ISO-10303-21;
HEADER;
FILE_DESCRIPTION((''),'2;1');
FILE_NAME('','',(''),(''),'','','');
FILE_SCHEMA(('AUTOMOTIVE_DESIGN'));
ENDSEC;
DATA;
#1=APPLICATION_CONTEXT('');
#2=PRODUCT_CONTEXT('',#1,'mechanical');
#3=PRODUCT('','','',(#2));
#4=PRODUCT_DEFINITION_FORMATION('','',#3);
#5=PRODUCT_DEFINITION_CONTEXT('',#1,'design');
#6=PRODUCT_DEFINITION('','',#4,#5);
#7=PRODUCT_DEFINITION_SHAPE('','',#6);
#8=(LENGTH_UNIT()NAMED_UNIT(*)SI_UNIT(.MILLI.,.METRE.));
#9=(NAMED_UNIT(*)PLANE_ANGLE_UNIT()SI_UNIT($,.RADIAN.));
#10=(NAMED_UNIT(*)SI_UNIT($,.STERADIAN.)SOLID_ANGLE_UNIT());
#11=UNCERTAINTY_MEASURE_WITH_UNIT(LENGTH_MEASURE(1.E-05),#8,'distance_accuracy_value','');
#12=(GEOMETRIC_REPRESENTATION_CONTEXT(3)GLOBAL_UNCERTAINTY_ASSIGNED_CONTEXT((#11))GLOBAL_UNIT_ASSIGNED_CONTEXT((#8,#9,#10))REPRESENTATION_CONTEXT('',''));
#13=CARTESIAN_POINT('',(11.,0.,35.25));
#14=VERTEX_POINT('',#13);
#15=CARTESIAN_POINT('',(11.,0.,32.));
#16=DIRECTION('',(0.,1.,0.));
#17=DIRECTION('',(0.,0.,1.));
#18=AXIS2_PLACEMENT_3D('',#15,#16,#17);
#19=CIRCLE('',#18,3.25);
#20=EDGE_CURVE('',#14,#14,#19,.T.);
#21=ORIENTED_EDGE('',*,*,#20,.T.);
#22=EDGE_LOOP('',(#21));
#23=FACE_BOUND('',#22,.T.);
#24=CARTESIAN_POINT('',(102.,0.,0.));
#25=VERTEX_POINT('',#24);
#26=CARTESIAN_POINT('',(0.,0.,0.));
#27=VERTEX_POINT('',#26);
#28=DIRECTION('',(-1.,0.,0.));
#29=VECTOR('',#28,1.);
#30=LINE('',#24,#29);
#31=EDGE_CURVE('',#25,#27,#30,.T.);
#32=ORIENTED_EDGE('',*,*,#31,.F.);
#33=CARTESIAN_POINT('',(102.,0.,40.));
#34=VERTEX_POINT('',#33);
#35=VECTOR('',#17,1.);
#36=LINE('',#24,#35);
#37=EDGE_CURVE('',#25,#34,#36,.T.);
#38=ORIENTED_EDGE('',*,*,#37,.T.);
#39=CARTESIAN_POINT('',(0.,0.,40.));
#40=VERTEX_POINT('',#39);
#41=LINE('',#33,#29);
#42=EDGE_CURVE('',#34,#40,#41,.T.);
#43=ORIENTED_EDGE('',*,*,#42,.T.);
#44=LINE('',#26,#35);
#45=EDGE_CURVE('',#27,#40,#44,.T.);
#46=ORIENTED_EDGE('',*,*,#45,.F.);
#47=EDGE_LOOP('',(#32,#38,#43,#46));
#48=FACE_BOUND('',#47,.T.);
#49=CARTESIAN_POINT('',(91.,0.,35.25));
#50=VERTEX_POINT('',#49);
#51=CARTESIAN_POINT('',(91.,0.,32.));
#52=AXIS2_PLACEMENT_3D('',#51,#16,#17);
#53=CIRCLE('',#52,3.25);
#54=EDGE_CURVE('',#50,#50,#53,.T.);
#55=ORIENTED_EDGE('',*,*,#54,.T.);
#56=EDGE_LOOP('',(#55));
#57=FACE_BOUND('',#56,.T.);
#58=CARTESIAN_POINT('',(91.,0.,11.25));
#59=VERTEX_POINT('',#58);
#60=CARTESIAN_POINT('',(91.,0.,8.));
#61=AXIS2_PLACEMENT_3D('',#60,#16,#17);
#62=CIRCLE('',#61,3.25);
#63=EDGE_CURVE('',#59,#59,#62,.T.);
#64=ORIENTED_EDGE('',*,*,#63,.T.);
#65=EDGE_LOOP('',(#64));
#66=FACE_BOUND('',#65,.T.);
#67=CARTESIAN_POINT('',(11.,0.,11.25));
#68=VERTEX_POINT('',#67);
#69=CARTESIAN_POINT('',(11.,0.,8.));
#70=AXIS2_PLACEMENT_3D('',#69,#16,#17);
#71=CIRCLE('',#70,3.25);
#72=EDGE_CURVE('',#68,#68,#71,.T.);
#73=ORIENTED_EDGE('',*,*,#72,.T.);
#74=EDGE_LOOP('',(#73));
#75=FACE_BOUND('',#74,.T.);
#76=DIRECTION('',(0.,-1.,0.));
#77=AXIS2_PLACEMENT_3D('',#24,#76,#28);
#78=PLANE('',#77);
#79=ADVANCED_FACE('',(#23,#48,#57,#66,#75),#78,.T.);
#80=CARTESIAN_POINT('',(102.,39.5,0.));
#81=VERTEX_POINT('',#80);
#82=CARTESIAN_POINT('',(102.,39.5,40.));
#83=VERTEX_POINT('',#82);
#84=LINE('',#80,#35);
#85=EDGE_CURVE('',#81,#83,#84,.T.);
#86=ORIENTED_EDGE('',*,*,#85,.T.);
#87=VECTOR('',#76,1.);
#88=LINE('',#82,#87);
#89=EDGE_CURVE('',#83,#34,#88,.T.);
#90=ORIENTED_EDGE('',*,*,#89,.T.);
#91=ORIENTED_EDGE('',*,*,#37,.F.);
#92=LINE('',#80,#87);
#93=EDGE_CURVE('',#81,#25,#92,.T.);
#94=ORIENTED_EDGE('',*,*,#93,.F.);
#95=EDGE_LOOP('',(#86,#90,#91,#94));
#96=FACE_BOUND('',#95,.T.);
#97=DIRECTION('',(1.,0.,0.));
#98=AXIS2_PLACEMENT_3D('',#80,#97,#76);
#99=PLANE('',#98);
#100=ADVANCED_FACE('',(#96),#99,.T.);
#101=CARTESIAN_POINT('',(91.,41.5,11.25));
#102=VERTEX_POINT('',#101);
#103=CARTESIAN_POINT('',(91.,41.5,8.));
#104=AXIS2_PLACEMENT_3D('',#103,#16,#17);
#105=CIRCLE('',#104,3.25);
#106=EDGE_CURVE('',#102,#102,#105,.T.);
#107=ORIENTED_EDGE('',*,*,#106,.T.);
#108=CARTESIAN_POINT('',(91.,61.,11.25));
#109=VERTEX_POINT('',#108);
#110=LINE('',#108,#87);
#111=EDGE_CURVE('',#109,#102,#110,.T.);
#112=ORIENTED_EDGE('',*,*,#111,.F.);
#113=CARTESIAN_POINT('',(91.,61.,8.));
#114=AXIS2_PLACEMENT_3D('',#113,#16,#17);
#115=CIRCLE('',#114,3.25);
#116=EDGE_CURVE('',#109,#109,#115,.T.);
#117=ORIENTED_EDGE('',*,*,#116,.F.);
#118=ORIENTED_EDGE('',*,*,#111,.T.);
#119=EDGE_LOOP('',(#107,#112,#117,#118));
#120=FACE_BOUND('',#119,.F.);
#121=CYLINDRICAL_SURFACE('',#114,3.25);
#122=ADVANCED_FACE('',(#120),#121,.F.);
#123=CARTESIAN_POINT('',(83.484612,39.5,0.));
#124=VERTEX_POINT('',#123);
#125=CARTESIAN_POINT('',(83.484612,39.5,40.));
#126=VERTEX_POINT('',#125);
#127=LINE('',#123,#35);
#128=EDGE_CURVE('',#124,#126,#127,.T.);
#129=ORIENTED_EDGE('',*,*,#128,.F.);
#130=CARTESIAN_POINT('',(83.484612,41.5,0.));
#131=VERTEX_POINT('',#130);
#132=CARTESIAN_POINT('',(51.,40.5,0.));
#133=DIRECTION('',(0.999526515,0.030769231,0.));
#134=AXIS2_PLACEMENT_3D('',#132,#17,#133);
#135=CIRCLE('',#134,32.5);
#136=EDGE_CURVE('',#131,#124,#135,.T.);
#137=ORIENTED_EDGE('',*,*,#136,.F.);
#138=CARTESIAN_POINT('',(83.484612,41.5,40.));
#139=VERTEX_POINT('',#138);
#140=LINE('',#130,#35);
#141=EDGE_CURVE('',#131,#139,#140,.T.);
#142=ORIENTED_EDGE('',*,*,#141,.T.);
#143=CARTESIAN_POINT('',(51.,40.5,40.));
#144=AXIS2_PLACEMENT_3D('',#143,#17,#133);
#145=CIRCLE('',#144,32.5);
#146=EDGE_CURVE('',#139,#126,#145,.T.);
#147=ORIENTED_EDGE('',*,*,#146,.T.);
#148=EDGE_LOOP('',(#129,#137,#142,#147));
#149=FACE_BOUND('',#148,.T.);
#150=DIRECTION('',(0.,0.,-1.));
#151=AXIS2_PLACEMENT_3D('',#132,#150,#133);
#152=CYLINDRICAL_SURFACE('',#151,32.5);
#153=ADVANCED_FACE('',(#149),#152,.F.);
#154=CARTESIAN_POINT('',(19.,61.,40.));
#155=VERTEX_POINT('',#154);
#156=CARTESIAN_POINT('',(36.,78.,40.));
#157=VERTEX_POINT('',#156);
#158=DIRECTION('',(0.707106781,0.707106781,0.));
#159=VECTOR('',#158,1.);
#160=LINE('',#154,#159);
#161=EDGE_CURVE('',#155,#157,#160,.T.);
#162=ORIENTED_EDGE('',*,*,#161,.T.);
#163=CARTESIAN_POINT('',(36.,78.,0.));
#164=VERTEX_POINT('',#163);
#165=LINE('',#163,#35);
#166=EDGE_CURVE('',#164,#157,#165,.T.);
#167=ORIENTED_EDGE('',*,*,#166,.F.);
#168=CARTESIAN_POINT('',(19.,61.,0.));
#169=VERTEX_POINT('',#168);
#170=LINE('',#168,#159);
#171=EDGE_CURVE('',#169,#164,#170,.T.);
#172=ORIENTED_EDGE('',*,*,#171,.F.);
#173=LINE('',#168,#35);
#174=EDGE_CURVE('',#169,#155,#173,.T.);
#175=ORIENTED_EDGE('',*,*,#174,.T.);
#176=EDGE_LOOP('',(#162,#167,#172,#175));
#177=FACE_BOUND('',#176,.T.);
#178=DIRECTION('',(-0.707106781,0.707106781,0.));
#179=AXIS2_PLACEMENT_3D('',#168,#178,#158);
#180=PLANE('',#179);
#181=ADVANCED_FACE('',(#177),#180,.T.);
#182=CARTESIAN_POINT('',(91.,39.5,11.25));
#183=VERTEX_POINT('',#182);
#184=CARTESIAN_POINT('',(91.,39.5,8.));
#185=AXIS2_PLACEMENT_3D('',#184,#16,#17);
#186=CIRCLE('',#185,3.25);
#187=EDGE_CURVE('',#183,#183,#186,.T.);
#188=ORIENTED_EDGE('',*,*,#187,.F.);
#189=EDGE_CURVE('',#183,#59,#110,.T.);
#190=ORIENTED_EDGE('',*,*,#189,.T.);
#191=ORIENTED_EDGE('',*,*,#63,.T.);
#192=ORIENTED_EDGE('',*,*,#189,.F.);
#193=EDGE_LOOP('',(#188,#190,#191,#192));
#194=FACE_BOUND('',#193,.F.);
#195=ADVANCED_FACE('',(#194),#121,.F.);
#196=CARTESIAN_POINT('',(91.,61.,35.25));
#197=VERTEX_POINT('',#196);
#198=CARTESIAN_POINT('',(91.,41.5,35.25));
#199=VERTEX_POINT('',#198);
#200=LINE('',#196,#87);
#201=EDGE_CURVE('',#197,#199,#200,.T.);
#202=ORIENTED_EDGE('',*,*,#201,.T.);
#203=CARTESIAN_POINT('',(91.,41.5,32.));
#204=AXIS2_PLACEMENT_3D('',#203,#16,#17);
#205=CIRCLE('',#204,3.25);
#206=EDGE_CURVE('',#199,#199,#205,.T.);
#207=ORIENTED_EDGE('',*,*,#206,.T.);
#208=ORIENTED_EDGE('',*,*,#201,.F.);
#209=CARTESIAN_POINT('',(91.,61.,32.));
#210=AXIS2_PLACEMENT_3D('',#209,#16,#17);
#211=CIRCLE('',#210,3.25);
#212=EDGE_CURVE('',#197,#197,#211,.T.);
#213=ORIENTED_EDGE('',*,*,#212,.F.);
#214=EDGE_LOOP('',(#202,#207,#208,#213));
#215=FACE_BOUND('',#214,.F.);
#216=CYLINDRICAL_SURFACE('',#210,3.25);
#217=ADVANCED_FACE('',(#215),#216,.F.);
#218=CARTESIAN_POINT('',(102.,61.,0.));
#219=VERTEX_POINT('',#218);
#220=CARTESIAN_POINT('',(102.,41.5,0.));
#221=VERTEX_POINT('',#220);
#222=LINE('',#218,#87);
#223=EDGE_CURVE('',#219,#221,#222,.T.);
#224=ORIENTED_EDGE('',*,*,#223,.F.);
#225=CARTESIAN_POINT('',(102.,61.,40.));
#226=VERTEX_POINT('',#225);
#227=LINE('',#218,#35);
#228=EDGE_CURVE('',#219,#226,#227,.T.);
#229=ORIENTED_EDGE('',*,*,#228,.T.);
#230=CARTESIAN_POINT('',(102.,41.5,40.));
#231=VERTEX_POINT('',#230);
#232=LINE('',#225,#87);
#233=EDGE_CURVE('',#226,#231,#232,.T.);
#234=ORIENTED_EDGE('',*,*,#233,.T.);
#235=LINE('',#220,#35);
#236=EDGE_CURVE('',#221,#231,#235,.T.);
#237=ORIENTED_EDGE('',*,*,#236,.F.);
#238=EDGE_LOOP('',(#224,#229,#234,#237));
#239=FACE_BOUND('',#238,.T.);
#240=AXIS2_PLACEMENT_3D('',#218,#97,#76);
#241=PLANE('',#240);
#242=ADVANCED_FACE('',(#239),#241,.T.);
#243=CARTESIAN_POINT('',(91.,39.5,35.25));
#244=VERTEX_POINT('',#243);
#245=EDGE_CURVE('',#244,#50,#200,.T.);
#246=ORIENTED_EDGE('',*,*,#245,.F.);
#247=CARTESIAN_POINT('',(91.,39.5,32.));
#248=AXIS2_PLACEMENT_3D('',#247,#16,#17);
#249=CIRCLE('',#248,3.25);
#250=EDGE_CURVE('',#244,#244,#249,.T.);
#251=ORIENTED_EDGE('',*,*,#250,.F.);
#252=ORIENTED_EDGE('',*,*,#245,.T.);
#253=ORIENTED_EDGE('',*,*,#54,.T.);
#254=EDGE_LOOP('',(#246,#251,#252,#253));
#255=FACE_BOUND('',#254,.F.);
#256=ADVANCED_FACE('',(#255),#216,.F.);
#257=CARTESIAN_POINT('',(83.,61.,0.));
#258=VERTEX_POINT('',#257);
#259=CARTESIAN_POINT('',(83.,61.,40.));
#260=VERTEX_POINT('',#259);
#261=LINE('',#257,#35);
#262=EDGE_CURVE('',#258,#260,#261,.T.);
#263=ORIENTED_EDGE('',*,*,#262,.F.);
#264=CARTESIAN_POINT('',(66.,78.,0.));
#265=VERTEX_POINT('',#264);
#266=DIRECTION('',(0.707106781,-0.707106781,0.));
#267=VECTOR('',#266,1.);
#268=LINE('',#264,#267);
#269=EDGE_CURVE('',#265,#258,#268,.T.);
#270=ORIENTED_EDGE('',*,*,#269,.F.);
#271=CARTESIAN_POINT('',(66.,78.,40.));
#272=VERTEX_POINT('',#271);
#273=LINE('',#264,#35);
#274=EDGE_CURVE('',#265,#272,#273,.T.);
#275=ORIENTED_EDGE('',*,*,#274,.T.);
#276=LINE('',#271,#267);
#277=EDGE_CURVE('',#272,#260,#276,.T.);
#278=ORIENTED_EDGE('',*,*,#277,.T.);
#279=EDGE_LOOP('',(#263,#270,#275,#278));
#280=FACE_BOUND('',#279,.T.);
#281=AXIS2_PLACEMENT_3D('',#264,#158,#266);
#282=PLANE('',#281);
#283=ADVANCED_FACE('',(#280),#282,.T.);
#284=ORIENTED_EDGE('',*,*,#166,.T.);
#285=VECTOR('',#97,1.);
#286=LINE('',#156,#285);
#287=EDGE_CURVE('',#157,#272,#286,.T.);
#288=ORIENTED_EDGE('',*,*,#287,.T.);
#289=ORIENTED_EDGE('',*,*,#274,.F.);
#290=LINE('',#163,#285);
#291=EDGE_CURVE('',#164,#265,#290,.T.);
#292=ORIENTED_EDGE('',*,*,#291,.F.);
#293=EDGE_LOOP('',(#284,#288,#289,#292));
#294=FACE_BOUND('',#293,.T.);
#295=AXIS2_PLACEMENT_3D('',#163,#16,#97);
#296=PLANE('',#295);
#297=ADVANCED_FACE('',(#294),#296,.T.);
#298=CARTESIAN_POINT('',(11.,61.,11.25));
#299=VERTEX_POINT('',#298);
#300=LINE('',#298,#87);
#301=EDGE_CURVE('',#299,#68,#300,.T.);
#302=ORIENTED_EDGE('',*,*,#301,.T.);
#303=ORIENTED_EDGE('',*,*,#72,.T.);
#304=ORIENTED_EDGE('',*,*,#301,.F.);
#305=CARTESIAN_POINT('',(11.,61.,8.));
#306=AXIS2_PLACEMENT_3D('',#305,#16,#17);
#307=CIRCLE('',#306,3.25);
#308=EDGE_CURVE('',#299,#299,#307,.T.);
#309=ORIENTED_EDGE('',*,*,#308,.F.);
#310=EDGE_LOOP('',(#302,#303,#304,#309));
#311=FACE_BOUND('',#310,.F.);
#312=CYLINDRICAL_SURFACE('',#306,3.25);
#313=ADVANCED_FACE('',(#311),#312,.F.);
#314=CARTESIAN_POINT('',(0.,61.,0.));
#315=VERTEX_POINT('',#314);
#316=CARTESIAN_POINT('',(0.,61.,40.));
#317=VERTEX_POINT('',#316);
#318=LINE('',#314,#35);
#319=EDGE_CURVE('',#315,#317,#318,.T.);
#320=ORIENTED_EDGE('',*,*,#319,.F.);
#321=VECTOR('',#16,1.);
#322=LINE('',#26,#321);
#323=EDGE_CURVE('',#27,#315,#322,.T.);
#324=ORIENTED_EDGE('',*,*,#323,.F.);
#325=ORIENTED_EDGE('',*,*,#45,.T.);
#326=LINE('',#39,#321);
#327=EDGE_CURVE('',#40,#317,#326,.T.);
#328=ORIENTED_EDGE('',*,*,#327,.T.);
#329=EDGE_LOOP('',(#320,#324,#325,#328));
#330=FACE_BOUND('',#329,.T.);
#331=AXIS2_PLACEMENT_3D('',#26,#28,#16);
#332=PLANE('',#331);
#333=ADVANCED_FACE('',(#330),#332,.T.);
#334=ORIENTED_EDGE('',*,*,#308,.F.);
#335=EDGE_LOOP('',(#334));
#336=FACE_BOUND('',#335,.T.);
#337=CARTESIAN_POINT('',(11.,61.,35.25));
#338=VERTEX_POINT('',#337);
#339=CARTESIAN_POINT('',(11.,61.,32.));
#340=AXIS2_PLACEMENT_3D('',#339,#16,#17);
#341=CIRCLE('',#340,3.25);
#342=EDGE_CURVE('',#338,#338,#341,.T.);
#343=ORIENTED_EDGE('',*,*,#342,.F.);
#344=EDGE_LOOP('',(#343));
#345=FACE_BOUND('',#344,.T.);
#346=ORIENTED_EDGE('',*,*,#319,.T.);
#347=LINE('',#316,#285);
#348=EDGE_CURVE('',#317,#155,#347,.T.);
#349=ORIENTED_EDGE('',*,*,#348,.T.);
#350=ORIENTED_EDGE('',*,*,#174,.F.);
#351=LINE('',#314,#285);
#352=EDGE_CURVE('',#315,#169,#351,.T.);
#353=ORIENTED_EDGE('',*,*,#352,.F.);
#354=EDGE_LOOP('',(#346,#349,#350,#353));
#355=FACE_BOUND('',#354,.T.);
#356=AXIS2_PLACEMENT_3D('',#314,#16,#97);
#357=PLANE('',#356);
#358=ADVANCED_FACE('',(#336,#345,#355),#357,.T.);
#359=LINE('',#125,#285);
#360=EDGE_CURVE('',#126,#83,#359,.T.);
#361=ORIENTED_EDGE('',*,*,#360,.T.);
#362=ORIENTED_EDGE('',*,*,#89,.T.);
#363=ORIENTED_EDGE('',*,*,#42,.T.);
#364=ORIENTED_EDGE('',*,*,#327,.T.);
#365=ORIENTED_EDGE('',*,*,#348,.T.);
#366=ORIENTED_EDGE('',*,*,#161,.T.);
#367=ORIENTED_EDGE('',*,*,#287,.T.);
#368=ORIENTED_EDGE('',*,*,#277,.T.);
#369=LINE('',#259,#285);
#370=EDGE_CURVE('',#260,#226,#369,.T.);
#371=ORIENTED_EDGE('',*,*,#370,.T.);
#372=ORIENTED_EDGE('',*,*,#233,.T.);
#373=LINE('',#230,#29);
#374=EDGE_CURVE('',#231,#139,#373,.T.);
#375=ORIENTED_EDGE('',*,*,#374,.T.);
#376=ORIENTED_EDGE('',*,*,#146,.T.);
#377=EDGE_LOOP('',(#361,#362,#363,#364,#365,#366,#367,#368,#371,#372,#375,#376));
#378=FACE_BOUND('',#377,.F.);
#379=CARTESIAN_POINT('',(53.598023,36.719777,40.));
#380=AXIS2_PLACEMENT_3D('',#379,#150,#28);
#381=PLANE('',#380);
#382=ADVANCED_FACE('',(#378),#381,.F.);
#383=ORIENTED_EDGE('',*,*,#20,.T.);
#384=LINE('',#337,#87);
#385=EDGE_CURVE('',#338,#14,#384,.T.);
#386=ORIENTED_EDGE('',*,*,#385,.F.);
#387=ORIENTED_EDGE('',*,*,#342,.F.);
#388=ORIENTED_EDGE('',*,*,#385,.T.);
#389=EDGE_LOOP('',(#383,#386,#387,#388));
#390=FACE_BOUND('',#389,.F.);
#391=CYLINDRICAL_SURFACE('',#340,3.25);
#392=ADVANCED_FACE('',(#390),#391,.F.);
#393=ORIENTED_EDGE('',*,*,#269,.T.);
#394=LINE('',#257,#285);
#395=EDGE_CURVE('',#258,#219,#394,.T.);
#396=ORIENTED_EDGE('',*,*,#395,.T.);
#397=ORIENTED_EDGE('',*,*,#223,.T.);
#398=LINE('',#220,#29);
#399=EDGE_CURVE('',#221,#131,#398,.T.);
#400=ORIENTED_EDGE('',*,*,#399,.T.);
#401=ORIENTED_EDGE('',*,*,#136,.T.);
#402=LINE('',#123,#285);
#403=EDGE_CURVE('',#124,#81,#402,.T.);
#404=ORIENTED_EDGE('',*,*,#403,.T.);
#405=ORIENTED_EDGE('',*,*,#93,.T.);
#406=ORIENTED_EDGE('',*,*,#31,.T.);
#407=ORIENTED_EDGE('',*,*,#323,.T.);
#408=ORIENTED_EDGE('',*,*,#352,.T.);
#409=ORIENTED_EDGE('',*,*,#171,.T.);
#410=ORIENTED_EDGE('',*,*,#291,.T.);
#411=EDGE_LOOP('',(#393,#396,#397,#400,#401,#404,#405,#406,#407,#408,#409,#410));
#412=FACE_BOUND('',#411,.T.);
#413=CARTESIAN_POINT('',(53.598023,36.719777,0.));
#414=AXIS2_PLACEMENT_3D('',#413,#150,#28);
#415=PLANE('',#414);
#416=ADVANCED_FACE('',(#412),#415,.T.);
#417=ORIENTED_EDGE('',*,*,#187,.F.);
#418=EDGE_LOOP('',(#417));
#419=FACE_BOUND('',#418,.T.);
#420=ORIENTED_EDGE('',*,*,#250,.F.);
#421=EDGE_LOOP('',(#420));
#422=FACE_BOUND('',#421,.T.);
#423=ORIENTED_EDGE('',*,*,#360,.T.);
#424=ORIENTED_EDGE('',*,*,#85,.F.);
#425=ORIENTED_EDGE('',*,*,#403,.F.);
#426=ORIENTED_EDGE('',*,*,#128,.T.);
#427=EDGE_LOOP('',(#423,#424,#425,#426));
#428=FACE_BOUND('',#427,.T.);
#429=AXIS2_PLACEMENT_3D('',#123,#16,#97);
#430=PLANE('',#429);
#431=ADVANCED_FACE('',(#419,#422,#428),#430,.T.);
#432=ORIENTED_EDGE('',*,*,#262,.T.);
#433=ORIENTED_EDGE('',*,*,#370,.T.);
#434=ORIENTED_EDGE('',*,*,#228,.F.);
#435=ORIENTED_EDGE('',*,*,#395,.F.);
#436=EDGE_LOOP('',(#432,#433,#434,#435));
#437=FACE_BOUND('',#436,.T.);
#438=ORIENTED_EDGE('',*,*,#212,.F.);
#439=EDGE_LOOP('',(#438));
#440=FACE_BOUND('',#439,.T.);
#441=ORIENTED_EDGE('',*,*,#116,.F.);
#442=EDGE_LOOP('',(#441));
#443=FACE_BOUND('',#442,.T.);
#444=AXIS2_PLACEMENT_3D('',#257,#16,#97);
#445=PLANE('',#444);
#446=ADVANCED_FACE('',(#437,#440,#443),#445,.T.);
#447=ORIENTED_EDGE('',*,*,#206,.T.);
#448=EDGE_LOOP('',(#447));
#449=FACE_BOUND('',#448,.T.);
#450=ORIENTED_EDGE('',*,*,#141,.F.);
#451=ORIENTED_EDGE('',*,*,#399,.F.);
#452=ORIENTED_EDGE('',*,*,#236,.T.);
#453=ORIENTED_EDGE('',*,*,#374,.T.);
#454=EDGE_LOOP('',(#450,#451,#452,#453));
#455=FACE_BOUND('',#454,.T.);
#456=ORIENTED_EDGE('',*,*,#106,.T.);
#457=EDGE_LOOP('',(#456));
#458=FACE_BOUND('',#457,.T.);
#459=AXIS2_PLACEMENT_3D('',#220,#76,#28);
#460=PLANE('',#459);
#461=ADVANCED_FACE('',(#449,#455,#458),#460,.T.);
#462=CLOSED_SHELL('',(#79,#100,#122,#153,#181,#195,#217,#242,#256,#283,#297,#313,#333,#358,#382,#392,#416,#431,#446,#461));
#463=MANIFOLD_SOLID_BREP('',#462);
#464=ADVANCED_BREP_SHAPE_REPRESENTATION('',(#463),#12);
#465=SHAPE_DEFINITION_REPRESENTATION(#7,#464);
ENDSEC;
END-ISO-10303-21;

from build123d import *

# Parameters (mm, degrees)
EXTRUDE_1_DEPTH     = 40
SKETCH_2_R          = 3.25
CUT_EXTRUDE_1_DEPTH = 126.39936204


with BuildPart() as part:
    # 草图1 → 凸台-拉伸1 (new body)
    with BuildSketch(Plane.XY):
        with BuildLine():
            Line((0, 61), (19, 61))
            Line((19, 61), (36, 78))
            Line((36, 78), (66, 78))
            Line((66, 78), (83, 61))
            Line((83, 61), (102, 61))
            Line((102, 61), (102, 41.5))
            Line((102, 41.5), (83.484611742, 41.5))
            ThreePointArc((83.484611742, 41.5), (18.5, 40.5), (83.484611742, 39.5))
            Line((83.484611742, 39.5), (102, 39.5))
            Line((102, 39.5), (102, 0))
            Line((102, 0), (0, 0))
            Line((0, 0), (0, 61))
        make_face()
    extrude(amount=EXTRUDE_1_DEPTH)

    # 草图2 → 切除-拉伸1 (cut, through all)
    with BuildSketch(Plane(origin=(0, 61, 0), x_dir=(1, 0, 0), z_dir=(0, 1, 0))):
        with Locations(Location((11, -8, 0), (0, 0, 270))):
            Circle(SKETCH_2_R)
        with Locations(Location((11, -32, 0), (0, 0, 270))):
            Circle(SKETCH_2_R)
        with Locations(Location((91, -8, 0), (0, 0, 270))):
            Circle(SKETCH_2_R)
        with Locations(Location((91, -32, 0), (0, 0, 270))):
            Circle(SKETCH_2_R)
    extrude(amount=-CUT_EXTRUDE_1_DEPTH, mode=Mode.SUBTRACT)


solid = part.part
